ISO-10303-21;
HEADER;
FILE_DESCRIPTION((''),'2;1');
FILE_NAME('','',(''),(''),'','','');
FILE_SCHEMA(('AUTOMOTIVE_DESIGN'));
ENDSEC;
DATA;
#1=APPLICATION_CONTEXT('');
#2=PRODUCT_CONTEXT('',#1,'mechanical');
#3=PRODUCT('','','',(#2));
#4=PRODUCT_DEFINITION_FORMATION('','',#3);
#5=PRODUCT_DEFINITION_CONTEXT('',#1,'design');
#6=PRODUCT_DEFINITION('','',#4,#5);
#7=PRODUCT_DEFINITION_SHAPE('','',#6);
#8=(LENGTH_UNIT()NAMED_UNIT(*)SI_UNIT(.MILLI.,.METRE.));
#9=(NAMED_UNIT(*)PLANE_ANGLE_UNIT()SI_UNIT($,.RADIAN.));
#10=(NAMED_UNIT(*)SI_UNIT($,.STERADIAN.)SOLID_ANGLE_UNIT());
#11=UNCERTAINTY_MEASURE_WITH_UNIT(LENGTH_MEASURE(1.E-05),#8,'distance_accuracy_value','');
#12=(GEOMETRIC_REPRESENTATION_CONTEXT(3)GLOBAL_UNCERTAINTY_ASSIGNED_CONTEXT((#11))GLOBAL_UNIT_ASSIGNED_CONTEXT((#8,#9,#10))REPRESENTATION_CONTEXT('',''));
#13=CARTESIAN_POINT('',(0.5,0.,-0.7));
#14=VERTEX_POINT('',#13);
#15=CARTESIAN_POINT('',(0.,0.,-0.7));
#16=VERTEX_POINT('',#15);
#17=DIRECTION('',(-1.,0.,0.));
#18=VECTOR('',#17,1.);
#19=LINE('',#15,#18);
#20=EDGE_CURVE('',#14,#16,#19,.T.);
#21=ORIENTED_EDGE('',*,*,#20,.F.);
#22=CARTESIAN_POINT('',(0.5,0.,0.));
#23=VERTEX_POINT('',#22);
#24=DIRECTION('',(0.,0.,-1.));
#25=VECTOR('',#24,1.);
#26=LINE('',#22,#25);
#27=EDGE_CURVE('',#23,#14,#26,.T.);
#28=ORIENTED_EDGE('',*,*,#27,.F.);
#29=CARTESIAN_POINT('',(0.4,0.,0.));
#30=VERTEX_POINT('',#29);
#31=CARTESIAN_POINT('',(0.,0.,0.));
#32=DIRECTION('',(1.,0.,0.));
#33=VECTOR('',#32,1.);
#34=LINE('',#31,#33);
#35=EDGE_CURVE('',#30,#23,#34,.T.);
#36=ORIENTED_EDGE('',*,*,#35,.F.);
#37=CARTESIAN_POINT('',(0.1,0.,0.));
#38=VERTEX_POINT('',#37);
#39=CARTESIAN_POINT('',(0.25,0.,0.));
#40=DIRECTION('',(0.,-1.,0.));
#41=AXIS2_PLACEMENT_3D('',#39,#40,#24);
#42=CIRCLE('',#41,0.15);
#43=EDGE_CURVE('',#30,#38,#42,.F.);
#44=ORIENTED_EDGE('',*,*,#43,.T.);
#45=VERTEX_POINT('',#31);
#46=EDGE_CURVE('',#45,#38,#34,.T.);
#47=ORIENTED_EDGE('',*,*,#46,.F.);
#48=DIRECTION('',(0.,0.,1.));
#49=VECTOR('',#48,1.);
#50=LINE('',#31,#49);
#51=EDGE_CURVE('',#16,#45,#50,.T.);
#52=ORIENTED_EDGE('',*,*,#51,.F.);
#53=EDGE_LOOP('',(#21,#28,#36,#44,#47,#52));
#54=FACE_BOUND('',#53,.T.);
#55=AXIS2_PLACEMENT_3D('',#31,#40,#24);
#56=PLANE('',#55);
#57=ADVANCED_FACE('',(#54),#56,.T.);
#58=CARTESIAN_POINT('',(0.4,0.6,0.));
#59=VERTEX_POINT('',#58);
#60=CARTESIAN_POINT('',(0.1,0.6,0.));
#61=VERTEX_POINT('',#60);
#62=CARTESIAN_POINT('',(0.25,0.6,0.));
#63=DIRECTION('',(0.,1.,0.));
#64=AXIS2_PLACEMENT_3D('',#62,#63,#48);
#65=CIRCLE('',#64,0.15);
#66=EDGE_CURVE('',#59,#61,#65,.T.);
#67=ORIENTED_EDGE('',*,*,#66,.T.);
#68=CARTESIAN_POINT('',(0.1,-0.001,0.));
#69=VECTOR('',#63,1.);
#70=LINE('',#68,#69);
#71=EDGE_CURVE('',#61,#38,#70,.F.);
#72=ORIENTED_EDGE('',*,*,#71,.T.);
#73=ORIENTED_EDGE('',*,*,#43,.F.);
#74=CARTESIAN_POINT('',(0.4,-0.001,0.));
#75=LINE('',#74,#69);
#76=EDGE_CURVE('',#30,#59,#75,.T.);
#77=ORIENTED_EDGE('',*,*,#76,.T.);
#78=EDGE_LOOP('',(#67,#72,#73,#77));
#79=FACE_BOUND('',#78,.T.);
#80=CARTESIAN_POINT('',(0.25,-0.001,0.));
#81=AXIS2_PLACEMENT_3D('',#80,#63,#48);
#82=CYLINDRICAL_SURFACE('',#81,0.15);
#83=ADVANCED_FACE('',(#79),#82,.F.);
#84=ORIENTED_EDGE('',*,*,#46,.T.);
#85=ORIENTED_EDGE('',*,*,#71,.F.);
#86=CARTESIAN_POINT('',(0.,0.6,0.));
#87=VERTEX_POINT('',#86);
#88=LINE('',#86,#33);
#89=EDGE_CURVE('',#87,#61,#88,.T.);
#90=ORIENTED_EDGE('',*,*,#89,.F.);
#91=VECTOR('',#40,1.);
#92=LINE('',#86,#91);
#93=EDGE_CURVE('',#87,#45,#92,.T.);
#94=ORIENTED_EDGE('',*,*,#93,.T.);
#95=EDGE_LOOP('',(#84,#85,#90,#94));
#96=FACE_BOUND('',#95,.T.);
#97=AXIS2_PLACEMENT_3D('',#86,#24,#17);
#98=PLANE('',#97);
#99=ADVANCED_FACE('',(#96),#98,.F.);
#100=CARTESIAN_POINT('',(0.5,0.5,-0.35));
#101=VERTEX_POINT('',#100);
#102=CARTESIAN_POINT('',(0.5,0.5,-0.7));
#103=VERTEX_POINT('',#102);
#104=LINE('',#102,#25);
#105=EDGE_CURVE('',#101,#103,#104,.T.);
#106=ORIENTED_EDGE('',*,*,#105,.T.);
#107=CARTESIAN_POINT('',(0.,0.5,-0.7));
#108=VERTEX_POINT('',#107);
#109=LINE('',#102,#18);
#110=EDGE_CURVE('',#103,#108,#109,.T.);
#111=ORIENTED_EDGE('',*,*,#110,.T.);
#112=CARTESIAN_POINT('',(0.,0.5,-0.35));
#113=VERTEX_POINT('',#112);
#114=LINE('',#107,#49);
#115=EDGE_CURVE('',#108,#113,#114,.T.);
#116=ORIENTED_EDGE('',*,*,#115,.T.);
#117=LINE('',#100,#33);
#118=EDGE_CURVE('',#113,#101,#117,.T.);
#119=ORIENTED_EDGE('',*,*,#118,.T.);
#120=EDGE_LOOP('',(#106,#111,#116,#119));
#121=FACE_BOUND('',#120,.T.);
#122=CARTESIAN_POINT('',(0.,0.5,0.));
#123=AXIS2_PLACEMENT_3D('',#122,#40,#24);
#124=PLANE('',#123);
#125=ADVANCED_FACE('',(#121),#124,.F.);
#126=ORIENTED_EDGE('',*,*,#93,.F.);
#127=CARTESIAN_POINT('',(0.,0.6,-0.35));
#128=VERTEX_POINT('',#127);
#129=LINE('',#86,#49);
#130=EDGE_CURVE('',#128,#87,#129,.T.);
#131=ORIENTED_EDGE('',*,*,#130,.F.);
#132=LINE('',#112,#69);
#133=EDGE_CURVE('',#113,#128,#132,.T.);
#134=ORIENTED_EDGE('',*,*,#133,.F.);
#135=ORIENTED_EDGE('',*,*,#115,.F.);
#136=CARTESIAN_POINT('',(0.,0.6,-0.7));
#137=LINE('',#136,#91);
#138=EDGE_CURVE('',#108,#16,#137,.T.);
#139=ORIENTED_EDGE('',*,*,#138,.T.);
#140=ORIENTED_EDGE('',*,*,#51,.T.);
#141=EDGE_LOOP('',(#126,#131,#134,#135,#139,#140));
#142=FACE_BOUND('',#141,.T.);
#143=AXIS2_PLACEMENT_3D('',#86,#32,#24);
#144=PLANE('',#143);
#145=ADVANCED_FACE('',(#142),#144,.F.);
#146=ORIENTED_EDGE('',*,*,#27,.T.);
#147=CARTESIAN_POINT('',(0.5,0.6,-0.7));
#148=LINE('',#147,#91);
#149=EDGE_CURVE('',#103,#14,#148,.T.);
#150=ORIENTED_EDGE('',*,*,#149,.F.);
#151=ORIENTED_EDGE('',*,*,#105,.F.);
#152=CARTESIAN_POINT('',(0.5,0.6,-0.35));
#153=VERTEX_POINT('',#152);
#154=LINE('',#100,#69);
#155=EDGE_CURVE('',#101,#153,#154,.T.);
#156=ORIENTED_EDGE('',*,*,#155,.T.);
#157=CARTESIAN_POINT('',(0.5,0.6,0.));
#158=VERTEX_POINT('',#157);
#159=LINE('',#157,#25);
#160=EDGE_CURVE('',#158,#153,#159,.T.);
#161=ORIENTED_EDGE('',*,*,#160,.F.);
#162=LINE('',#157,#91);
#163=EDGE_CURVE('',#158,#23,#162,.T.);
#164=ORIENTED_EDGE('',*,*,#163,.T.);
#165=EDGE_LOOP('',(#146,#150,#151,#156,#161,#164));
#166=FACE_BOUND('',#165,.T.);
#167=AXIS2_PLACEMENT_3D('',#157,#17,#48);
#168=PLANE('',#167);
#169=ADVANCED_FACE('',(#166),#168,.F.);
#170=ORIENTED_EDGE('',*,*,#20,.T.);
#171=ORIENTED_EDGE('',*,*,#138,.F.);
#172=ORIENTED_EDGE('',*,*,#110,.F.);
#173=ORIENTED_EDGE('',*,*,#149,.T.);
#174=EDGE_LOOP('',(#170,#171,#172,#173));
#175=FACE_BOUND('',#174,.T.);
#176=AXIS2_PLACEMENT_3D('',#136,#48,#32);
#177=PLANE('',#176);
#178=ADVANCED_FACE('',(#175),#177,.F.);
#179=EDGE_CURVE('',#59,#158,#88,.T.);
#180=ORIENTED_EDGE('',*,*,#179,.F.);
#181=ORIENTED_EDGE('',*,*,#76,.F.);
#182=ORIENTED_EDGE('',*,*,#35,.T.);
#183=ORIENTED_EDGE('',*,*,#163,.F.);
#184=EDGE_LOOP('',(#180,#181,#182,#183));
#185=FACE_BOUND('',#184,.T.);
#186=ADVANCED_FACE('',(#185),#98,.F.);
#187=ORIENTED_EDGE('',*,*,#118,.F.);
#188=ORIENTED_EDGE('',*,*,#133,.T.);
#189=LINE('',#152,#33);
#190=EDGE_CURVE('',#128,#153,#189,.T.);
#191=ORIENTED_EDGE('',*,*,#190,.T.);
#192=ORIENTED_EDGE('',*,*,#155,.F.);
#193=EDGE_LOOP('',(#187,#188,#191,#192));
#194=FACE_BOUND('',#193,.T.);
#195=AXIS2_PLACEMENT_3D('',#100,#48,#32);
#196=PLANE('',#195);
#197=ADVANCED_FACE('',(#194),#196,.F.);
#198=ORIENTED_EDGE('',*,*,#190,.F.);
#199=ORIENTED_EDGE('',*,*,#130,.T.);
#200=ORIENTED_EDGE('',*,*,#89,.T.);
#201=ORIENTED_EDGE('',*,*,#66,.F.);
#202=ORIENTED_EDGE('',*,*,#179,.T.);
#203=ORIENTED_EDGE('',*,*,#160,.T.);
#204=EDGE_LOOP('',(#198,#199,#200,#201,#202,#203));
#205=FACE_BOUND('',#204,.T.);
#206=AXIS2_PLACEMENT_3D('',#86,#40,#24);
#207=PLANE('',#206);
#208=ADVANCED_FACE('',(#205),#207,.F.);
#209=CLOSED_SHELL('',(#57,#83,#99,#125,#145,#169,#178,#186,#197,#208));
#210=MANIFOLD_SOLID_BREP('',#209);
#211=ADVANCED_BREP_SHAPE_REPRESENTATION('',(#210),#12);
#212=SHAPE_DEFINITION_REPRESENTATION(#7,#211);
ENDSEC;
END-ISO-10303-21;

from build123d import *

# Parameters (mm, degrees)
SKETCH1_W           = 0.5
SKETCH1_H           = 0.7
BOSS_EXTRUDE1_DEPTH = 0.6
CUT_EXTRUDE1_REACH  = 2.6
SKETCH2_R           = 0.15
SKETCH3_W           = 0.5
SKETCH3_H           = 0.35
CUT_EXTRUDE2_DEPTH  = 0.1


with BuildPart() as part:
    # Sketch1 → Boss-Extrude1 (new body)
    with BuildSketch(Plane(origin=(0, 0, 0), x_dir=(1, 0, 0), z_dir=(0, 1, 0))):
        with Locations((0.25, 0.35)):
            Rectangle(SKETCH1_W, SKETCH1_H)
    extrude(amount=BOSS_EXTRUDE1_DEPTH)

    # Sketch2 → Cut-Extrude1 (cut, up to next)
    with BuildSketch(Plane(origin=(0, 0.6, 0), x_dir=(1, 0, 0), z_dir=(0, 1, 0)), mode=Mode.PRIVATE) as cut_extrude1_sk1:
        with Locations((0.25, 0)):
            Circle(SKETCH2_R)
    cut_extrude1_tool1 = extrude(cut_extrude1_sk1.sketch, amount=-CUT_EXTRUDE1_REACH, mode=Mode.PRIVATE) & part.part
    add(cut_extrude1_tool1.solids().sort_by_distance((0.25, 0.6, 0))[0], mode=Mode.SUBTRACT)

    # Sketch3 → Cut-Extrude2 (cut)
    with BuildSketch(Plane(origin=(0, 0.6, 0), x_dir=(1, 0, 0), z_dir=(0, 1, 0))):
        with Locations((0.25, 0.525)):
            Rectangle(SKETCH3_W, SKETCH3_H)
    extrude(amount=-CUT_EXTRUDE2_DEPTH, mode=Mode.SUBTRACT)


solid = part.part
